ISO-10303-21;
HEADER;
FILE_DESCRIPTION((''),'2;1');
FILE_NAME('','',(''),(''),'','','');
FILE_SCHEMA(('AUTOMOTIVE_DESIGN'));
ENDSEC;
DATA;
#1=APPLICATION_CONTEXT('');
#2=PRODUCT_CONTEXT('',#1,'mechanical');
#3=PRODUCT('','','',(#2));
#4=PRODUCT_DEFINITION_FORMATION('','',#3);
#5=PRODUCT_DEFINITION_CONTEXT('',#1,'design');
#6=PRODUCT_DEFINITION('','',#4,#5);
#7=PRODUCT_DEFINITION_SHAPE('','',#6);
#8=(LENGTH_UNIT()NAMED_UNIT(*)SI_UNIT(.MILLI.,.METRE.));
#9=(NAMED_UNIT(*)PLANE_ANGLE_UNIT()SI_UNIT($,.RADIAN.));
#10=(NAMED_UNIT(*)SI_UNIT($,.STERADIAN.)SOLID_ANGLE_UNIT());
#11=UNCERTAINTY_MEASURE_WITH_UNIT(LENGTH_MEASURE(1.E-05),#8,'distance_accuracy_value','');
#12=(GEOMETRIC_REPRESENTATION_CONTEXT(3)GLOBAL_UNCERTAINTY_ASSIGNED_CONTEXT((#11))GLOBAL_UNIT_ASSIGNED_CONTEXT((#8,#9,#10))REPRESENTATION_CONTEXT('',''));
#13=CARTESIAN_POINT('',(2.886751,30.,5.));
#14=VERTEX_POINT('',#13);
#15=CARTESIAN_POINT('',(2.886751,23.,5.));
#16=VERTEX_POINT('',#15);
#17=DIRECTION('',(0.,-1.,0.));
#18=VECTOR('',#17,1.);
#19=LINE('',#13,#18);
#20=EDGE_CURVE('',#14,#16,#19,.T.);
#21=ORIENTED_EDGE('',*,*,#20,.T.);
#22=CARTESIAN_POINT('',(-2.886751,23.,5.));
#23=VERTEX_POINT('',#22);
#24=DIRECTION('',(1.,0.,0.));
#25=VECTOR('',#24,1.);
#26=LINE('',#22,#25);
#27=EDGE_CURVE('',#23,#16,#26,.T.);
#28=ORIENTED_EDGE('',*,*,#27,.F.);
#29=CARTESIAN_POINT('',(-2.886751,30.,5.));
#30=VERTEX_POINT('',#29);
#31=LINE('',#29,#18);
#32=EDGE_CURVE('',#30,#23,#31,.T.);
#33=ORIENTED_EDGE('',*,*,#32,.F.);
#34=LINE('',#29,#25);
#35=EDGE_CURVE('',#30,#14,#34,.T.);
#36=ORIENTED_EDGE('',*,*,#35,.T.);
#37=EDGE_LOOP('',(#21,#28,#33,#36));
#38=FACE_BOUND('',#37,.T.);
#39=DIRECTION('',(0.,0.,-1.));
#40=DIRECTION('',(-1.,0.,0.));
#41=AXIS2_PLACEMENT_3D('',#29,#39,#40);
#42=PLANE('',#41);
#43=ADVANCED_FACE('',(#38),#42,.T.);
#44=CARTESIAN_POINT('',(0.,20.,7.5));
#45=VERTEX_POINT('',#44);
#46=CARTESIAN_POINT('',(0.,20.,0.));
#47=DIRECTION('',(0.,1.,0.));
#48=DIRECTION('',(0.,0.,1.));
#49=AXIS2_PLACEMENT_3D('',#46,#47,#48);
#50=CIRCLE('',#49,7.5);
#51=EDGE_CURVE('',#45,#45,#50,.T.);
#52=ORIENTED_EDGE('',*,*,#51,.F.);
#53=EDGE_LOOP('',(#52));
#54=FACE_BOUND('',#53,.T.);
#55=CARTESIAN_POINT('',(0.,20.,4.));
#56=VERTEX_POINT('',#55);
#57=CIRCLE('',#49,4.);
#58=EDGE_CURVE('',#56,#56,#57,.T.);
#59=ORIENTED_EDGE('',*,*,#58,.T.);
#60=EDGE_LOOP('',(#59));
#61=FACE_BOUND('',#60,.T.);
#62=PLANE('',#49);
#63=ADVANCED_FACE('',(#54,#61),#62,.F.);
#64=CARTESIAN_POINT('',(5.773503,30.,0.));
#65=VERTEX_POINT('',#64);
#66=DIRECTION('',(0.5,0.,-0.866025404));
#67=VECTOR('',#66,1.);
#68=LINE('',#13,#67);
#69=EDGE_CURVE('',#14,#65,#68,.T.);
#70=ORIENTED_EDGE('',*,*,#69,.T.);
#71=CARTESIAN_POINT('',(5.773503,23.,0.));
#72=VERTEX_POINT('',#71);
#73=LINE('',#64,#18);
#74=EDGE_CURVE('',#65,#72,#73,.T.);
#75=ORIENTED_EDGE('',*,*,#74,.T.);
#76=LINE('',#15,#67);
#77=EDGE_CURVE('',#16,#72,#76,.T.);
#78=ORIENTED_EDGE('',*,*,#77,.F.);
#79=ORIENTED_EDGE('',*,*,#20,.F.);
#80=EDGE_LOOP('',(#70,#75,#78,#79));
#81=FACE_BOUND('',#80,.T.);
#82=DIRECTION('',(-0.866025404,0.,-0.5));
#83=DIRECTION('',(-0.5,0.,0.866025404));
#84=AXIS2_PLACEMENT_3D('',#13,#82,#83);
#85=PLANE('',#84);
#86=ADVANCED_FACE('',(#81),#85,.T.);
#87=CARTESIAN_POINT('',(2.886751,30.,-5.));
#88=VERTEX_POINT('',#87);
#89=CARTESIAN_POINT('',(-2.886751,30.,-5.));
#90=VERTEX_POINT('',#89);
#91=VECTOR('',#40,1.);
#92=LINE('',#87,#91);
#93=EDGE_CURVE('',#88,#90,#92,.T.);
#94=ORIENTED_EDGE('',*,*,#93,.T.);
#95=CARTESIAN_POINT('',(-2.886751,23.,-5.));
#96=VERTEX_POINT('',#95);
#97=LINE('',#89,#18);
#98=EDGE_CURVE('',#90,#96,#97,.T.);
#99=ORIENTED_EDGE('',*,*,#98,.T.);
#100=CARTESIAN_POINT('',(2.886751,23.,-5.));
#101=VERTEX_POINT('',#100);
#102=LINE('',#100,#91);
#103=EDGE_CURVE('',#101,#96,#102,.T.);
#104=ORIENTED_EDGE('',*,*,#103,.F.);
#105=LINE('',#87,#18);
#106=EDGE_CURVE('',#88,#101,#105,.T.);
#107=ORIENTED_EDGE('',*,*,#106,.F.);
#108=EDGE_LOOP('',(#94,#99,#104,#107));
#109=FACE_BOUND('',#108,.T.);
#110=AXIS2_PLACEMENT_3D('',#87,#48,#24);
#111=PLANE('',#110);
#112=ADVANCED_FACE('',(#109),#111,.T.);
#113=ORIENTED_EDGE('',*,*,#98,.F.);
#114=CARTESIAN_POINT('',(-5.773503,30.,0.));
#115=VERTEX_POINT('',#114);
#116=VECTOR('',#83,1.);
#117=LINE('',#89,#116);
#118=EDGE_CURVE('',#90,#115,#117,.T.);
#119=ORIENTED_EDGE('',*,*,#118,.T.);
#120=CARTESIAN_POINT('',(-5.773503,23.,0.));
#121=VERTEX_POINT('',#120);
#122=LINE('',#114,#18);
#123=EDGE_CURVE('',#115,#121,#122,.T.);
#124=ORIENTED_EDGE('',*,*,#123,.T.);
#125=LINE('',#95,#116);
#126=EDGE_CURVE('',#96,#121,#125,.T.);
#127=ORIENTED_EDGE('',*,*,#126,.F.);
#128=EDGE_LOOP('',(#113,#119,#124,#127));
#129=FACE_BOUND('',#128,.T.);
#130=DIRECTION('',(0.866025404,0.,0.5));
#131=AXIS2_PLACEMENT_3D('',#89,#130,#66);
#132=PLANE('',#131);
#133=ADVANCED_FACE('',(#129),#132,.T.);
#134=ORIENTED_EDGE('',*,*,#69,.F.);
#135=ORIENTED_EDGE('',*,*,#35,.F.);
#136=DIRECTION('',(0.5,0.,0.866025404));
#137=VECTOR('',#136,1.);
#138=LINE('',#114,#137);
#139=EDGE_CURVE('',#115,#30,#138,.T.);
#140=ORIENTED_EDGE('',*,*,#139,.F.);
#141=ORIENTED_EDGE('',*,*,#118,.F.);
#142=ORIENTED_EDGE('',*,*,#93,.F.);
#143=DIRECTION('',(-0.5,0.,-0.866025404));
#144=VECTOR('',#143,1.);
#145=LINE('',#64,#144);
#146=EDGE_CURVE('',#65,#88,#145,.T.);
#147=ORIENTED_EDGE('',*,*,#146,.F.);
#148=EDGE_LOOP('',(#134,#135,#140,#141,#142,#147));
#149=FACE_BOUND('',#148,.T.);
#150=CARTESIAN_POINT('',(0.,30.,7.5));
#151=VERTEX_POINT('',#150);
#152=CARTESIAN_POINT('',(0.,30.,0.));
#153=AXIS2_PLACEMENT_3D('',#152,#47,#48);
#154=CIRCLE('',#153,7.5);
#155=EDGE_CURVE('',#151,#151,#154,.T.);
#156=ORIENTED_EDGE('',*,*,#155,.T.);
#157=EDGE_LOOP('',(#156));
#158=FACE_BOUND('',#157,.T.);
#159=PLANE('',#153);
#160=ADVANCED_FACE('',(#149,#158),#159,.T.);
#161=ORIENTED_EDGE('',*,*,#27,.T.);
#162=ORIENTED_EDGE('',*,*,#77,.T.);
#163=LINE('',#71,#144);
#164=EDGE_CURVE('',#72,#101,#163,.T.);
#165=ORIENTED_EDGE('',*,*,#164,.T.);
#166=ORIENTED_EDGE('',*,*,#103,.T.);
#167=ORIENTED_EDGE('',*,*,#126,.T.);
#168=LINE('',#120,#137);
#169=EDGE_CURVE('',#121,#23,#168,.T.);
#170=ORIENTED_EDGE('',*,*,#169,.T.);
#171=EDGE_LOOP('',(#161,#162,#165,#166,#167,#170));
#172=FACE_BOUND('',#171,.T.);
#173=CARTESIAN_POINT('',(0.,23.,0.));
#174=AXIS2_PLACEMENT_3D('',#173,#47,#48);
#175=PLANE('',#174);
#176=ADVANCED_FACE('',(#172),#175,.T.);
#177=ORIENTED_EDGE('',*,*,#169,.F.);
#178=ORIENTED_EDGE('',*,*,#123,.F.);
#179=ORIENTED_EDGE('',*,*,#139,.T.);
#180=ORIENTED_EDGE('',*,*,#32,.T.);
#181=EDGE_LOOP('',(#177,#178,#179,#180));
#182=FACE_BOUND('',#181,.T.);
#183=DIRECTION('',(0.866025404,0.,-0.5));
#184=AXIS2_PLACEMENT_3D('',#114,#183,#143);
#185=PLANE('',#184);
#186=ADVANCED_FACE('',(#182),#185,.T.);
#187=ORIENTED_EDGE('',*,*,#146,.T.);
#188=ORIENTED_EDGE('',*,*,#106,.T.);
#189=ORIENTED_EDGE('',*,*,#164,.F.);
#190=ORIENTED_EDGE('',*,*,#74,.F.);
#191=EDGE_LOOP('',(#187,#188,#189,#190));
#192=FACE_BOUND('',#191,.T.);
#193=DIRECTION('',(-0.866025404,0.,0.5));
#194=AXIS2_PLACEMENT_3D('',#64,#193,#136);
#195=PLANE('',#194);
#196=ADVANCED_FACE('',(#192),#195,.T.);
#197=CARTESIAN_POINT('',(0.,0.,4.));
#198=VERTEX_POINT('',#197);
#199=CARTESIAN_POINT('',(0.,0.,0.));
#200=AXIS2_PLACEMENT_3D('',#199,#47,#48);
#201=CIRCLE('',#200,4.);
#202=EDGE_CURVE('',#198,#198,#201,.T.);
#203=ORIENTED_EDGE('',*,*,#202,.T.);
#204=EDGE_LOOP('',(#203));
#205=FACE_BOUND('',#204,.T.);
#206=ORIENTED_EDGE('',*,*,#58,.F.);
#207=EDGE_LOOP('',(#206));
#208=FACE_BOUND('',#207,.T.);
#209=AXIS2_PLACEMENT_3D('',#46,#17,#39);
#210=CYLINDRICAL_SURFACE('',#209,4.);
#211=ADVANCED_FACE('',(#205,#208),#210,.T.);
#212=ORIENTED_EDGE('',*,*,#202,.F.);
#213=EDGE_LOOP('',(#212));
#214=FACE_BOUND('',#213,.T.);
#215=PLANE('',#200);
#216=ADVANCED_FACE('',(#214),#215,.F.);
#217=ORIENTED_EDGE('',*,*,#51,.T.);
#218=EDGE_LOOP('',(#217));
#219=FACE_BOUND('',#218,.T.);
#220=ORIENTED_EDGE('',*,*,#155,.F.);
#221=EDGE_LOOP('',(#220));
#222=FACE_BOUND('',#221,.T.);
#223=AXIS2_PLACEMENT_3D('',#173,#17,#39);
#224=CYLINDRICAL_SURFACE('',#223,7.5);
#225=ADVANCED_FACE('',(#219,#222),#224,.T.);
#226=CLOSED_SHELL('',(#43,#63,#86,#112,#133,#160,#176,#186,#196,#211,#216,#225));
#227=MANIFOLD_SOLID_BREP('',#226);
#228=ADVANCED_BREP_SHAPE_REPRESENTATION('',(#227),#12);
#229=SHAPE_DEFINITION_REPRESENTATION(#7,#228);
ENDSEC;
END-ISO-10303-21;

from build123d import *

# Parameters (mm, degrees)
SKETCH1_R           = 4
BOSS_EXTRUDE1_DEPTH = 20
SKETCH2_R           = 7.5
BOSS_EXTRUDE2_DEPTH = 3
SKETCH3_R           = 7.5
BOSS_EXTRUDE3_DEPTH = 7


with BuildPart() as part:
    # Sketch1 → Boss-Extrude1 (new body)
    with BuildSketch(Plane(origin=(0, 0, 0), x_dir=(1, 0, 0), z_dir=(0, 1, 0))):
        Circle(SKETCH1_R)
    extrude(amount=BOSS_EXTRUDE1_DEPTH)

    # Sketch2 → Boss-Extrude2 (add)
    with BuildSketch(Plane(origin=(0, 20, 0), x_dir=(1, 0, 0), z_dir=(0, 1, 0))):
        Circle(SKETCH2_R)
    extrude(amount=BOSS_EXTRUDE2_DEPTH)

    # Sketch3 → Boss-Extrude3 (add)
    with BuildSketch(Plane(origin=(0, 23, 0), x_dir=(1, 0, 0), z_dir=(0, 1, 0))):
        Circle(SKETCH3_R)
        Polygon((5.773502692, 0), (2.886751346, 5), (-2.886751346, 5), (-5.773502692, 0), (-2.886751346, -5), (2.886751346, -5), align=None, mode=Mode.SUBTRACT)
    extrude(amount=BOSS_EXTRUDE3_DEPTH)


solid = part.part
